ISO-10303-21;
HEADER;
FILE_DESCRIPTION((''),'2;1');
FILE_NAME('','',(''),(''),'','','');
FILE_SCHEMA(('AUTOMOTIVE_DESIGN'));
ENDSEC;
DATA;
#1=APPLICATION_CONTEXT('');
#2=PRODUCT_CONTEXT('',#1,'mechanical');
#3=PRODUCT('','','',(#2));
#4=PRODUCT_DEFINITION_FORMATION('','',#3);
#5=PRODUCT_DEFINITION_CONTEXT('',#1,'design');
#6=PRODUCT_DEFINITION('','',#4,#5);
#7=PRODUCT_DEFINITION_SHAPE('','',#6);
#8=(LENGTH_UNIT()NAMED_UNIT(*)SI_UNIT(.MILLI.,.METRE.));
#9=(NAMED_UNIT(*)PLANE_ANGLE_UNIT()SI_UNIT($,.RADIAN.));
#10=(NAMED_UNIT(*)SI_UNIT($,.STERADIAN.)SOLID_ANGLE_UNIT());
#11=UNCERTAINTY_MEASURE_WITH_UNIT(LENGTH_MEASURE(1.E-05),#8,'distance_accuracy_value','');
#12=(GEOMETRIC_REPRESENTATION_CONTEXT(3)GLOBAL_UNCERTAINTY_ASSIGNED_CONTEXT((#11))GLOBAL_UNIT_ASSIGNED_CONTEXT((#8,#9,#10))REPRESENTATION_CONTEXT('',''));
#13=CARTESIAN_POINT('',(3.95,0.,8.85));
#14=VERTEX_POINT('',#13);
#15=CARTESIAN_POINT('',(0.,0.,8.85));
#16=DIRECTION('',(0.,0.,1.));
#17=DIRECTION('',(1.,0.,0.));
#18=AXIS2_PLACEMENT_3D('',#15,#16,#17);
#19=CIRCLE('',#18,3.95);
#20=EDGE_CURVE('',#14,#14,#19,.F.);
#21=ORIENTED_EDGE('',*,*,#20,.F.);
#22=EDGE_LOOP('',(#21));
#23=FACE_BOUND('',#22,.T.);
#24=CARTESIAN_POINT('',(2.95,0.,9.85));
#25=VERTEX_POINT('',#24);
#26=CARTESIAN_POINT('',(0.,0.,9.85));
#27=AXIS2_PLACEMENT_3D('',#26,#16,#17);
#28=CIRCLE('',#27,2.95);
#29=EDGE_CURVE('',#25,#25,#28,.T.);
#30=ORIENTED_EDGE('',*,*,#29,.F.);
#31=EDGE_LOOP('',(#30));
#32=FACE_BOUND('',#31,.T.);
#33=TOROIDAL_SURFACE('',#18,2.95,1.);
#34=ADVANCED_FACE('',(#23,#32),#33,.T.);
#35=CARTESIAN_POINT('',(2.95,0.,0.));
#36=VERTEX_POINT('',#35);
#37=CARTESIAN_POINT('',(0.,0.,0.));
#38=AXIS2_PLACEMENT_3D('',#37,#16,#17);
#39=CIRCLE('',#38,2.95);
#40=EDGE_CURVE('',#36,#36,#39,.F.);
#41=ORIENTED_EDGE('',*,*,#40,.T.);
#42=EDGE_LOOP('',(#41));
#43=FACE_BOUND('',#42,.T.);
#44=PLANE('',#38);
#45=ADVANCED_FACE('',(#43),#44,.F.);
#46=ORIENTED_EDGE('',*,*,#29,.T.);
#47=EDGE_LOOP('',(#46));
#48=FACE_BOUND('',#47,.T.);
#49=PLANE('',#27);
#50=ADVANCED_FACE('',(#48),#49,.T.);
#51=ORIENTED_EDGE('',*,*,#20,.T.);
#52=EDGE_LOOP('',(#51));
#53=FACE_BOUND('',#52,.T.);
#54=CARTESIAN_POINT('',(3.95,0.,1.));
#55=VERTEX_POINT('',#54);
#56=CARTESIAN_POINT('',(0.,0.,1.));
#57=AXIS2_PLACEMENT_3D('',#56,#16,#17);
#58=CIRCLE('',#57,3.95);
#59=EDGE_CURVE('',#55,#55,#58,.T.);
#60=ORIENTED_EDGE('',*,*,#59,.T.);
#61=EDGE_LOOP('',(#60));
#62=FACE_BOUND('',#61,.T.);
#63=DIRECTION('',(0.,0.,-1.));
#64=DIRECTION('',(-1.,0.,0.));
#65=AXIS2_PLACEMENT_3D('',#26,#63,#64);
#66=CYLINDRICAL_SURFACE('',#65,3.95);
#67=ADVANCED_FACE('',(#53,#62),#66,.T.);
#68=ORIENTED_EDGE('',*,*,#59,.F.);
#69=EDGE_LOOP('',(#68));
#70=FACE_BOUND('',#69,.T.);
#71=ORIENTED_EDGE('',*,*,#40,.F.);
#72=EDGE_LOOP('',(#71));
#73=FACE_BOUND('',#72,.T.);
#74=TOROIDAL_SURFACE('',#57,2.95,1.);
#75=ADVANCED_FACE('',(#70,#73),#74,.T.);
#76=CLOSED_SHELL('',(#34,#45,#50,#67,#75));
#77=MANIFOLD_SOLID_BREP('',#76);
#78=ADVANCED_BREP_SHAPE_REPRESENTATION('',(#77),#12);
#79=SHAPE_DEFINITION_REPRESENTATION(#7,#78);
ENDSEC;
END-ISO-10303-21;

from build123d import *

# Parameters (mm, degrees)
CROQUIS1_R              = 3.95
SALIENTE_EXTRUIR1_DEPTH = 9.85
REDONDEO1_R             = 1


with BuildPart() as part:
    # Croquis1 → Saliente-Extruir1 (new body)
    with BuildSketch(Plane.XY):
        Circle(CROQUIS1_R)
    extrude(amount=SALIENTE_EXTRUIR1_DEPTH)

    # Redondeo1
    redondeo1_edges = [part.edges().sort_by_distance(p)[0] for p in [
        (-3.95, 0, 0),
        (-3.95, 0, 9.85),
    ]]
    fillet(redondeo1_edges, radius=REDONDEO1_R)


solid = part.part
